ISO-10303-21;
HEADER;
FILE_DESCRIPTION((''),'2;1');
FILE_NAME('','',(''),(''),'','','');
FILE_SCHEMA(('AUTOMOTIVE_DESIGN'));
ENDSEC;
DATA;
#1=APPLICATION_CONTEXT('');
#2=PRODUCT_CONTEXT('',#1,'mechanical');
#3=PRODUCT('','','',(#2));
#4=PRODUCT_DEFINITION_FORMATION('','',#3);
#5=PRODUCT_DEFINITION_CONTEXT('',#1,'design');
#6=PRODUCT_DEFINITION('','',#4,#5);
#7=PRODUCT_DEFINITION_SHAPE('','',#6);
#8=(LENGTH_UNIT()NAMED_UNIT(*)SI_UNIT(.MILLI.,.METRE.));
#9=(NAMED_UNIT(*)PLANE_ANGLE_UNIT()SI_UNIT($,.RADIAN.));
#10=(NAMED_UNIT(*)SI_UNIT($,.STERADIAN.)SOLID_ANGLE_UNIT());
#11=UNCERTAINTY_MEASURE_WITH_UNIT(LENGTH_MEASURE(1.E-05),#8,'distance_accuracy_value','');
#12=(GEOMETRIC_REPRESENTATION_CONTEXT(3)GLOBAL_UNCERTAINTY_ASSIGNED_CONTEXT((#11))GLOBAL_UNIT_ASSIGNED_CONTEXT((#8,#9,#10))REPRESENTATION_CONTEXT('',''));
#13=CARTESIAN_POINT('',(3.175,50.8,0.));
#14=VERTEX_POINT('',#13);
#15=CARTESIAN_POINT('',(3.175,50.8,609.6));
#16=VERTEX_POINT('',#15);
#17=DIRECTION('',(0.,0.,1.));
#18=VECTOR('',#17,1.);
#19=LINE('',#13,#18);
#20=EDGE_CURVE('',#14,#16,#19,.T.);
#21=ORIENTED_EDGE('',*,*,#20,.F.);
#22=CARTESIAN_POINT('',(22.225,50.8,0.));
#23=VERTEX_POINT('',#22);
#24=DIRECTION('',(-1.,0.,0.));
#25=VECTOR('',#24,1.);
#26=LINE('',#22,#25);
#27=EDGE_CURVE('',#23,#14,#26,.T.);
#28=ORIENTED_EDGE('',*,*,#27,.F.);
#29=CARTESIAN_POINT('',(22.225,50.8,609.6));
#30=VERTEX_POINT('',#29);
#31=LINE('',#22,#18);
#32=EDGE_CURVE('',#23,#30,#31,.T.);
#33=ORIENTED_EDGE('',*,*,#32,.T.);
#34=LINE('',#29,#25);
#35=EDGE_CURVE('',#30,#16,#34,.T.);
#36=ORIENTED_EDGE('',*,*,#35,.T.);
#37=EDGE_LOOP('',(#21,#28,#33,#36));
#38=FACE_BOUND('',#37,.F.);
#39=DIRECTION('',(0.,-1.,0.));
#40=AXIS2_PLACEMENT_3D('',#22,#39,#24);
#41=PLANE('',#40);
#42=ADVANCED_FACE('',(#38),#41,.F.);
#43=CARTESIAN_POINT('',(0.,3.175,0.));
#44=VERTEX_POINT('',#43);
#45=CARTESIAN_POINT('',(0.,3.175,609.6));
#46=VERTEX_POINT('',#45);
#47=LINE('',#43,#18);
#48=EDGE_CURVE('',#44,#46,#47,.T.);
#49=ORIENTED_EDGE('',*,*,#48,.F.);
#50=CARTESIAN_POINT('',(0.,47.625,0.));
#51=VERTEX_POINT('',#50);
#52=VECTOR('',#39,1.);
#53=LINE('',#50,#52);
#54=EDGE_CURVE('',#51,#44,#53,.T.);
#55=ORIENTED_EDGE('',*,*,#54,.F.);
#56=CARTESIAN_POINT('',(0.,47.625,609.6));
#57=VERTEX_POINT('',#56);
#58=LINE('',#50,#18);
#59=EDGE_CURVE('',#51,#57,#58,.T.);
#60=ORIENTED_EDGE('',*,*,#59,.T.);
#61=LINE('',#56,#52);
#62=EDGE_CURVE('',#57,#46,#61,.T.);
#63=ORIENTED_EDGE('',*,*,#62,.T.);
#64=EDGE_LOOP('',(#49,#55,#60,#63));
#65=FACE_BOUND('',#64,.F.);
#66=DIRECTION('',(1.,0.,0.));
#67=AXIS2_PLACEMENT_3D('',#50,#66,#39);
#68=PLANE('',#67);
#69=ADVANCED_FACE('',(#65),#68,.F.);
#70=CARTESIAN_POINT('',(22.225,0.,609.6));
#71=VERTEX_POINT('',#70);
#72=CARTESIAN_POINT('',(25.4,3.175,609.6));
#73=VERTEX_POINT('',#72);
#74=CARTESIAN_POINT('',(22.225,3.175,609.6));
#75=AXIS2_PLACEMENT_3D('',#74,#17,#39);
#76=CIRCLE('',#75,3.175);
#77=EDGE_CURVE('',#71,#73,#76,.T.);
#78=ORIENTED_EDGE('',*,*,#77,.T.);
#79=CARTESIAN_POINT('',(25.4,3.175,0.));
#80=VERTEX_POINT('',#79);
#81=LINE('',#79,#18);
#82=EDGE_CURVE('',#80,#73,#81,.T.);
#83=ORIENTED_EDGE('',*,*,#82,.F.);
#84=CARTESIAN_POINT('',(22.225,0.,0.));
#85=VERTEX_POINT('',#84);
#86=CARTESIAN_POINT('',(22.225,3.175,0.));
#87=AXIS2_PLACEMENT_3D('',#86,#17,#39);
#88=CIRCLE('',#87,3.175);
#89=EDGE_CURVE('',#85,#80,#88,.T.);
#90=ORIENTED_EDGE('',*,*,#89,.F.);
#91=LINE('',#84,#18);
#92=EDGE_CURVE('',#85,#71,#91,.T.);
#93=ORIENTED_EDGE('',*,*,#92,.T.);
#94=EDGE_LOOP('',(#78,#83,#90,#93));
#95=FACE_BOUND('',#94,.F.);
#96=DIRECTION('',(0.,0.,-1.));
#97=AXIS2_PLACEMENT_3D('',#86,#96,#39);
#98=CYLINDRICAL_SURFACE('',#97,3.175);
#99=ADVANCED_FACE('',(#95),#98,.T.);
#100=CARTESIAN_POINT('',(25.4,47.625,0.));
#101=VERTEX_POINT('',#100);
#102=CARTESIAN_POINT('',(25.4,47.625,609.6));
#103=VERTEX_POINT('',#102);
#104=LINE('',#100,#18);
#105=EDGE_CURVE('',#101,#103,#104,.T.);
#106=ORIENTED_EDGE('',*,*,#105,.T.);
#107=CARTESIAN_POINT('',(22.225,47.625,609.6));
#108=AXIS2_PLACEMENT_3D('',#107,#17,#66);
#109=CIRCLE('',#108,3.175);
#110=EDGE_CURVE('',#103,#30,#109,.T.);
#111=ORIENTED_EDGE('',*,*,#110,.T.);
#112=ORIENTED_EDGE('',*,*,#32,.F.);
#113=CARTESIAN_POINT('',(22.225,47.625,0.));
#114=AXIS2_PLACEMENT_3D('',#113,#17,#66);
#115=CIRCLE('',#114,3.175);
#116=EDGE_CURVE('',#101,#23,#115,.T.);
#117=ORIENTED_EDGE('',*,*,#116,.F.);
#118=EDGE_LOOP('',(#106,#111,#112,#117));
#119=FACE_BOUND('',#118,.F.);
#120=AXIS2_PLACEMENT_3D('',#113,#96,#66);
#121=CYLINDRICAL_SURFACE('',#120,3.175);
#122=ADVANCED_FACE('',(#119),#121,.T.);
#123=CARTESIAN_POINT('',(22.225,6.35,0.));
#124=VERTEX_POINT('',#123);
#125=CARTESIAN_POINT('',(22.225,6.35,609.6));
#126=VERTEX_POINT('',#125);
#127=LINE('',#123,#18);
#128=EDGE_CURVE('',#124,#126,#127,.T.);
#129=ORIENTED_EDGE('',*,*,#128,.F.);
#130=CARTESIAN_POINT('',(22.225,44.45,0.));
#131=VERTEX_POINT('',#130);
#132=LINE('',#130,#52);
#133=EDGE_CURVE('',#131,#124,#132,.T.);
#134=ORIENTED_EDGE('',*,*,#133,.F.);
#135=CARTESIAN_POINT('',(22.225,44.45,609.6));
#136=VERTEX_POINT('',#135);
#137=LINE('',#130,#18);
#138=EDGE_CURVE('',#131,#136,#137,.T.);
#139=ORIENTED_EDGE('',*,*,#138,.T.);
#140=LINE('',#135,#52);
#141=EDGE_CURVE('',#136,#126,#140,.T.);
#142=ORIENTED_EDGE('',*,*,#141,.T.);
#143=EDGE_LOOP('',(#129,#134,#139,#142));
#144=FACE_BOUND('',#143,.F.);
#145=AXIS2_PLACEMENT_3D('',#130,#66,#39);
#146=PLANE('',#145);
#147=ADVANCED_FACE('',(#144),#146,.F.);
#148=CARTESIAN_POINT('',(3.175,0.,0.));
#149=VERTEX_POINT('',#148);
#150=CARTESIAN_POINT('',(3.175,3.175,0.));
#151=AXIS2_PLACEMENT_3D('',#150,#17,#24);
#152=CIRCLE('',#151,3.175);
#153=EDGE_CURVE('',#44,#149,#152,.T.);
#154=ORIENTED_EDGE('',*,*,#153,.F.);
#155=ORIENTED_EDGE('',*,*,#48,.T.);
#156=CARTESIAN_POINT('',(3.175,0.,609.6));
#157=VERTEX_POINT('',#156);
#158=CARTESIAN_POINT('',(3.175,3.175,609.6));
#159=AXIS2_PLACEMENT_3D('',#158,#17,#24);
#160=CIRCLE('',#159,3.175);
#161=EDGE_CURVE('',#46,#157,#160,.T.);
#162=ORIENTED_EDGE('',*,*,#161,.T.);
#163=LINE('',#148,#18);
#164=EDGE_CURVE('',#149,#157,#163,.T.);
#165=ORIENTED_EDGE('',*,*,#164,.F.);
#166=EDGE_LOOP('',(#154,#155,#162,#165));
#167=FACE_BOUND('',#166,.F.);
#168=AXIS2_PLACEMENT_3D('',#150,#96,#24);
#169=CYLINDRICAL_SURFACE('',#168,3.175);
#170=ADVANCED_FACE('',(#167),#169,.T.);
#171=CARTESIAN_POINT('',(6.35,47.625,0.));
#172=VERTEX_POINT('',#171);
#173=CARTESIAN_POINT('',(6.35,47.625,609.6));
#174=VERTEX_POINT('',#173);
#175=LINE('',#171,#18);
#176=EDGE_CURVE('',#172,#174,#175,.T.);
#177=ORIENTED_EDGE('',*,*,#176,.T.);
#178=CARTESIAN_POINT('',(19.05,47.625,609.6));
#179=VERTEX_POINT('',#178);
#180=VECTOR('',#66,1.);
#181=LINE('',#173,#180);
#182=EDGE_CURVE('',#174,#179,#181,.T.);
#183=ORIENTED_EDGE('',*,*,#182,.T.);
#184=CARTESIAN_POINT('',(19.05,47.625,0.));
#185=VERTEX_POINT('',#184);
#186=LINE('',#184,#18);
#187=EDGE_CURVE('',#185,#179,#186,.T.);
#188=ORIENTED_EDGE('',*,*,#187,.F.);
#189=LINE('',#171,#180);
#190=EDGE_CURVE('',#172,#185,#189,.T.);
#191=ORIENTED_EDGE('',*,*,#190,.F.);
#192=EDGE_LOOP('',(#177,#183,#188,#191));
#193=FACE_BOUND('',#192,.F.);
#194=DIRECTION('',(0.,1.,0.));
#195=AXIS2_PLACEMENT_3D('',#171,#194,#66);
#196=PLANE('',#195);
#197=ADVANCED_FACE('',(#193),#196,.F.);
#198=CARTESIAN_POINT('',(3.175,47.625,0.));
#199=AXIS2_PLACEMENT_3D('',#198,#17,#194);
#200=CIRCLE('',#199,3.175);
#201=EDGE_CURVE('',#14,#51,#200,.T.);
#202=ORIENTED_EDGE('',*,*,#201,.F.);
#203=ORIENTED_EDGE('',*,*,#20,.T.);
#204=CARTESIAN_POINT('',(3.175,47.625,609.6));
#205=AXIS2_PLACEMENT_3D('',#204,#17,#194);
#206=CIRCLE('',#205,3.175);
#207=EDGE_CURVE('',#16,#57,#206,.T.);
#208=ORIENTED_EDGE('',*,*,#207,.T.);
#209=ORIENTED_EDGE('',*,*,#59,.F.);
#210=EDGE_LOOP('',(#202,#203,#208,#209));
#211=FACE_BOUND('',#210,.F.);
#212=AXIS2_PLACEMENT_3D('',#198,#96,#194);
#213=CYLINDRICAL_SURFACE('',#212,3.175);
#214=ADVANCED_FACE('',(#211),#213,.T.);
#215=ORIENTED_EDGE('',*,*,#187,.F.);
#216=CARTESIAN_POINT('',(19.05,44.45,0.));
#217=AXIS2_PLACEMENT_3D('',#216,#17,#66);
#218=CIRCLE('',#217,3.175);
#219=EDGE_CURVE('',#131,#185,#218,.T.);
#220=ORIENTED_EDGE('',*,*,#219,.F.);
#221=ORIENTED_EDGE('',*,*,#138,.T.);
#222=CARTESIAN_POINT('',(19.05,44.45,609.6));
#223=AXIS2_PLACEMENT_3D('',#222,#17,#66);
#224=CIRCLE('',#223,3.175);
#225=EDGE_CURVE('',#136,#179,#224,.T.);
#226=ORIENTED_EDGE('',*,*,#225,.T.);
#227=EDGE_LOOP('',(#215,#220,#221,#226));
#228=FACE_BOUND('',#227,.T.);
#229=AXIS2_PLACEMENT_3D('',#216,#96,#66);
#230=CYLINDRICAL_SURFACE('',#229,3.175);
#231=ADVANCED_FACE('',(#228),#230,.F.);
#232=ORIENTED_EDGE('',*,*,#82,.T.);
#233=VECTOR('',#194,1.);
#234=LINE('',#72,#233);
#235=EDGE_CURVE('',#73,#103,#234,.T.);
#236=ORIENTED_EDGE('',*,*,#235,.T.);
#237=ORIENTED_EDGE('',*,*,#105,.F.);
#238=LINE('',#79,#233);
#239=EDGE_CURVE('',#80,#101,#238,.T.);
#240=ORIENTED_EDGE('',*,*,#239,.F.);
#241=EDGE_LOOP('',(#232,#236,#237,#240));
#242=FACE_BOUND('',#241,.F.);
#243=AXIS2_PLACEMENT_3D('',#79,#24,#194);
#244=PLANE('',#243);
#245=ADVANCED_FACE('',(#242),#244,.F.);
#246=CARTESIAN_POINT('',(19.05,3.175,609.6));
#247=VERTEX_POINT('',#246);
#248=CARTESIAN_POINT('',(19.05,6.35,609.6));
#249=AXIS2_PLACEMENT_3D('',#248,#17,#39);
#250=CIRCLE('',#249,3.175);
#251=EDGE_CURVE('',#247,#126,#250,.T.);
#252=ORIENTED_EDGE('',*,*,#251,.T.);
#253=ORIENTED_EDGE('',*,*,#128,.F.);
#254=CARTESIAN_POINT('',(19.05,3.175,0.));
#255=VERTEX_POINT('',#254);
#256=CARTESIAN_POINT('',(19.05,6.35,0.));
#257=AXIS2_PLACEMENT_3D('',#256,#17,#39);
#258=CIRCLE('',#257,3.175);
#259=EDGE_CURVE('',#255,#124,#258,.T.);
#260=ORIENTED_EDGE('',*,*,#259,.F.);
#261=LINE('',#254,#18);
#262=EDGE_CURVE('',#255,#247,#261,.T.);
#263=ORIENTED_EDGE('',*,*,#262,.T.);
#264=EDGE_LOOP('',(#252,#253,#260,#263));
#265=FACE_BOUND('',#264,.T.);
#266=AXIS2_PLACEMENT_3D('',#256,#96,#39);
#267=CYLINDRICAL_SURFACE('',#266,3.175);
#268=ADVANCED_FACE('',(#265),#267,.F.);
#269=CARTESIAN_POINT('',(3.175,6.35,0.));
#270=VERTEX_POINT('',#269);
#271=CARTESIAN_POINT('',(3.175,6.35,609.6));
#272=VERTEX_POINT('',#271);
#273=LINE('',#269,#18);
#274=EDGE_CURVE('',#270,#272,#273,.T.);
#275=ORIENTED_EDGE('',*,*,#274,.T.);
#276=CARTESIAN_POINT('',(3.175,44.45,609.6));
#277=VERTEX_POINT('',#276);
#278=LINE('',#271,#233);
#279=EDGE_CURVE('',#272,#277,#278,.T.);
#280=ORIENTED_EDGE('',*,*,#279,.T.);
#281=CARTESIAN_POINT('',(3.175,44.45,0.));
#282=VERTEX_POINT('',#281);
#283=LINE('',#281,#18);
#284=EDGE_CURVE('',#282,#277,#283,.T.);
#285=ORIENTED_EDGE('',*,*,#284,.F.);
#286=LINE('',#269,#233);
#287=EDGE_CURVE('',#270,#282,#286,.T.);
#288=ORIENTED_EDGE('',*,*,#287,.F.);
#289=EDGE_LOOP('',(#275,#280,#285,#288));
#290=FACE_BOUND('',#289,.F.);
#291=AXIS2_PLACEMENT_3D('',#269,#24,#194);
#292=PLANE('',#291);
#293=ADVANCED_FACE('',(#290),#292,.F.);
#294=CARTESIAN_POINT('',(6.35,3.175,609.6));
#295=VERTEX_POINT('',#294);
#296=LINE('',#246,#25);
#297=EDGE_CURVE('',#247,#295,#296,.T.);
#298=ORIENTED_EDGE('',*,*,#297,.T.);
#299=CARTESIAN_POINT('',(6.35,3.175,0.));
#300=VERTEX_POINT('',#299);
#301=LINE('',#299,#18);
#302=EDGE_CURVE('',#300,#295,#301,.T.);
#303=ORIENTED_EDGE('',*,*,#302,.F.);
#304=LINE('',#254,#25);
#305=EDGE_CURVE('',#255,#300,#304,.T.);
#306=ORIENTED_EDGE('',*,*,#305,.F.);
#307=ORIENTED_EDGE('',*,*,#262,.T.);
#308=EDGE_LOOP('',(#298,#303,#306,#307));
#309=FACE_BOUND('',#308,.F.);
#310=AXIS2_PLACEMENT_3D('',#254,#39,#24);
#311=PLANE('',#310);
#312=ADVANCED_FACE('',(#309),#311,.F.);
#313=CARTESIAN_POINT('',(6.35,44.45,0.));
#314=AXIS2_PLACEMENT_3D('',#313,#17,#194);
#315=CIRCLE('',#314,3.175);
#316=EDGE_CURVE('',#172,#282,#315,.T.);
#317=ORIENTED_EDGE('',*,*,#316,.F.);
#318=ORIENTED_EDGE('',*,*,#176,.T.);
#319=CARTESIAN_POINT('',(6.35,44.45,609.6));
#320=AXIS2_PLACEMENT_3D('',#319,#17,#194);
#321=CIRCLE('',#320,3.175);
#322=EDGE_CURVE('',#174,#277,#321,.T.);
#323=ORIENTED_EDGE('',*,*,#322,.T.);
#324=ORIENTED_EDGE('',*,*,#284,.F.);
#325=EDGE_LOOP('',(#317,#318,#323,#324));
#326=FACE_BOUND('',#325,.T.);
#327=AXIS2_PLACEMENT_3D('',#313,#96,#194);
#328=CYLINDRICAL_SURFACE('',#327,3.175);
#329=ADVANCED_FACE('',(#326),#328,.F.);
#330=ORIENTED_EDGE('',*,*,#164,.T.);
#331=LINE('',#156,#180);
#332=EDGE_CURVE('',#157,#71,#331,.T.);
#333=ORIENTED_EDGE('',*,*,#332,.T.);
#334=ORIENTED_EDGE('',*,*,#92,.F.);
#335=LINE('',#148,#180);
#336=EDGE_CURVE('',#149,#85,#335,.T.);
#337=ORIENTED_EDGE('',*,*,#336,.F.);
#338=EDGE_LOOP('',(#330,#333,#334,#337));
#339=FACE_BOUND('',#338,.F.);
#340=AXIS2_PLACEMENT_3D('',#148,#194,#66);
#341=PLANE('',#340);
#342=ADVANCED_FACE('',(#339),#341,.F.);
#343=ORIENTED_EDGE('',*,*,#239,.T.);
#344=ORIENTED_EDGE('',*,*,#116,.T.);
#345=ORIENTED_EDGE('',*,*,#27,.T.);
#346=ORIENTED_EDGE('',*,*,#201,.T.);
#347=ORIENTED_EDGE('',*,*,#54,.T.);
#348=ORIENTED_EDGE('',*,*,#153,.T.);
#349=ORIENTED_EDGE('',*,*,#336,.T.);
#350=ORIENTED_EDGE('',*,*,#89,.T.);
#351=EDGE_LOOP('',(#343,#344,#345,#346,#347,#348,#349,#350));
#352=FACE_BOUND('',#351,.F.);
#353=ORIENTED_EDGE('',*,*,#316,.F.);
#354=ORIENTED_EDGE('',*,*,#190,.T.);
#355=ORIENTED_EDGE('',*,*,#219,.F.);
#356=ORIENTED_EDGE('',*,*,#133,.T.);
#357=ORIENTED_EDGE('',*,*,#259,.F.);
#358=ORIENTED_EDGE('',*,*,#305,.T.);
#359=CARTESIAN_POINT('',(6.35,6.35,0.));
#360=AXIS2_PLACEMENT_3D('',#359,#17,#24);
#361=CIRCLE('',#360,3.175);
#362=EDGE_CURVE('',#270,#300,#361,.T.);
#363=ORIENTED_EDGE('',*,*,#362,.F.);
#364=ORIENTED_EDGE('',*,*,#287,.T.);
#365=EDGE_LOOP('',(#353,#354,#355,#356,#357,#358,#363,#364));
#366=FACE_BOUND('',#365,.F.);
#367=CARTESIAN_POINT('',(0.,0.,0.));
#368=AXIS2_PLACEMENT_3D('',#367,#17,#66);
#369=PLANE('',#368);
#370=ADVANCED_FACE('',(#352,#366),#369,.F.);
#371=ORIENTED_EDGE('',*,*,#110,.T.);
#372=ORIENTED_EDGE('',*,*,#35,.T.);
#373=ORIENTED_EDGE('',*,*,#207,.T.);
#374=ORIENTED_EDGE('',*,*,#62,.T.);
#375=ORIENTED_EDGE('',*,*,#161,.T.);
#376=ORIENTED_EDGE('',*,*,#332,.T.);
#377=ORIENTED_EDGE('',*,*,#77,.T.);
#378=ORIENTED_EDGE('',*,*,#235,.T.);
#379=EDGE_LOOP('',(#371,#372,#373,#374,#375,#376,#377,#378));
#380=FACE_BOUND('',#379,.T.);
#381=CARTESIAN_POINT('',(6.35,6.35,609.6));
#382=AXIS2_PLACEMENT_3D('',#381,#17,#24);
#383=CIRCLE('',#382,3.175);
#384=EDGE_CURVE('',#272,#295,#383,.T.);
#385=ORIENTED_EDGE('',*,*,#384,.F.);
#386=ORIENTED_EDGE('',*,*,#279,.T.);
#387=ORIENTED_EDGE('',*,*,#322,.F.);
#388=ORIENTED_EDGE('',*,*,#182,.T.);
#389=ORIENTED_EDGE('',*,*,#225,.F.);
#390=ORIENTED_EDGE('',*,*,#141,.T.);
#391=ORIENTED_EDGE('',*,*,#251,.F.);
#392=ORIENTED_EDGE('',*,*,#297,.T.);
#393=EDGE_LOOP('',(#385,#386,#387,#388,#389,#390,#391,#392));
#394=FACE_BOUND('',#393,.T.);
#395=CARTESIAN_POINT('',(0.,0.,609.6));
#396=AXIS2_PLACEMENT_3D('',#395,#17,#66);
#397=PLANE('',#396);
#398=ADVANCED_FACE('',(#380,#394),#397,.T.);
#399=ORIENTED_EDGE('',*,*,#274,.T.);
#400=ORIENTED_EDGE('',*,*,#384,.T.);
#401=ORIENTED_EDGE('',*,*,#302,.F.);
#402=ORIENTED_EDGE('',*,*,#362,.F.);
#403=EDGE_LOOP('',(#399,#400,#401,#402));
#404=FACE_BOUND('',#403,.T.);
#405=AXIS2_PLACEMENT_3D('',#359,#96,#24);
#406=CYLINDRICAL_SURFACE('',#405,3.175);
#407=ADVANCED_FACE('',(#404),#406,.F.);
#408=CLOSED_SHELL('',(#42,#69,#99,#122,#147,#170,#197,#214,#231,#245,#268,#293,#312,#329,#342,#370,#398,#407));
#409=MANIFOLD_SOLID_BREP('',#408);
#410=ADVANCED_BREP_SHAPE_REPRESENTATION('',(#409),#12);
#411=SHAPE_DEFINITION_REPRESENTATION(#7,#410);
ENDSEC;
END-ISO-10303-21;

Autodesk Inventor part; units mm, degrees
ref_plane "YZ Plane" through (0, 0, 0) normal (1, 0, 0) x (0, 1, 0)
ref_plane "XZ Plane" through (0, 0, 0) normal (0, 1, 0) x (-1, 0, 0)
ref_plane "XY Plane" through (0, 0, 0) normal (0, 0, 1) x (1, 0, 0)
sketch "Sketch1" plane through (0, 0, 0) normal (0, 0, 1) x (1, 0, 0)
  line L0 (3.175, 0) -> (22.225, 0)
  line L1 (25.4, 3.175) -> (25.4, 47.625)
  line L2 (22.225, 50.8) -> (3.175, 50.8)
  line L3 (0, 47.625) -> (0, 3.175)
  arc A0 (3.175, 50.8) -> (0, 47.625) centre (3.175, 47.625) ccw
  arc A1 (25.4, 47.625) -> (22.225, 50.8) centre (22.225, 47.625) ccw
  arc A2 (22.225, 0) -> (25.4, 3.175) centre (22.225, 3.175) ccw
  arc A3 (0, 3.175) -> (3.175, 0) centre (3.175, 3.175) ccw
  line L4 (6.35, 47.625) -> (19.05, 47.625)
  line L5 (22.225, 44.45) -> (22.225, 6.35)
  line L6 (19.05, 3.175) -> (6.35, 3.175)
  line L7 (3.175, 6.35) -> (3.175, 44.45)
  arc A4 (6.35, 47.625) -> (3.175, 44.45) centre (6.35, 44.45) ccw
  arc A5 (22.225, 44.45) -> (19.05, 47.625) centre (19.05, 44.45) ccw
  arc A6 (3.175, 6.35) -> (6.35, 3.175) centre (6.35, 6.35) ccw
  arc A7 (19.05, 3.175) -> (22.225, 6.35) centre (19.05, 6.35) ccw
  point P0 (0, 0)
  point P1 (25.4, 0)
  point P2 (0, 50.8)
  dimension "d0" = 50.8
  dimension "d1" = 25.4
  dimension "d2" = 3.175
  dimension "d3" = 3.175
  dimension "d4" = 3.175
  dimension "d5" = 3.175
  dimension "d6" = 3.175
  dimension "d7" = 3.175
  dimension "d8" = 3.175
  dimension "d9" = 3.175
  dimension "d10" = 3.175
extrude "Extrusion1" add sketch "Sketch1" along normal blind 609.6
properties part number "O channel 24 inch"
